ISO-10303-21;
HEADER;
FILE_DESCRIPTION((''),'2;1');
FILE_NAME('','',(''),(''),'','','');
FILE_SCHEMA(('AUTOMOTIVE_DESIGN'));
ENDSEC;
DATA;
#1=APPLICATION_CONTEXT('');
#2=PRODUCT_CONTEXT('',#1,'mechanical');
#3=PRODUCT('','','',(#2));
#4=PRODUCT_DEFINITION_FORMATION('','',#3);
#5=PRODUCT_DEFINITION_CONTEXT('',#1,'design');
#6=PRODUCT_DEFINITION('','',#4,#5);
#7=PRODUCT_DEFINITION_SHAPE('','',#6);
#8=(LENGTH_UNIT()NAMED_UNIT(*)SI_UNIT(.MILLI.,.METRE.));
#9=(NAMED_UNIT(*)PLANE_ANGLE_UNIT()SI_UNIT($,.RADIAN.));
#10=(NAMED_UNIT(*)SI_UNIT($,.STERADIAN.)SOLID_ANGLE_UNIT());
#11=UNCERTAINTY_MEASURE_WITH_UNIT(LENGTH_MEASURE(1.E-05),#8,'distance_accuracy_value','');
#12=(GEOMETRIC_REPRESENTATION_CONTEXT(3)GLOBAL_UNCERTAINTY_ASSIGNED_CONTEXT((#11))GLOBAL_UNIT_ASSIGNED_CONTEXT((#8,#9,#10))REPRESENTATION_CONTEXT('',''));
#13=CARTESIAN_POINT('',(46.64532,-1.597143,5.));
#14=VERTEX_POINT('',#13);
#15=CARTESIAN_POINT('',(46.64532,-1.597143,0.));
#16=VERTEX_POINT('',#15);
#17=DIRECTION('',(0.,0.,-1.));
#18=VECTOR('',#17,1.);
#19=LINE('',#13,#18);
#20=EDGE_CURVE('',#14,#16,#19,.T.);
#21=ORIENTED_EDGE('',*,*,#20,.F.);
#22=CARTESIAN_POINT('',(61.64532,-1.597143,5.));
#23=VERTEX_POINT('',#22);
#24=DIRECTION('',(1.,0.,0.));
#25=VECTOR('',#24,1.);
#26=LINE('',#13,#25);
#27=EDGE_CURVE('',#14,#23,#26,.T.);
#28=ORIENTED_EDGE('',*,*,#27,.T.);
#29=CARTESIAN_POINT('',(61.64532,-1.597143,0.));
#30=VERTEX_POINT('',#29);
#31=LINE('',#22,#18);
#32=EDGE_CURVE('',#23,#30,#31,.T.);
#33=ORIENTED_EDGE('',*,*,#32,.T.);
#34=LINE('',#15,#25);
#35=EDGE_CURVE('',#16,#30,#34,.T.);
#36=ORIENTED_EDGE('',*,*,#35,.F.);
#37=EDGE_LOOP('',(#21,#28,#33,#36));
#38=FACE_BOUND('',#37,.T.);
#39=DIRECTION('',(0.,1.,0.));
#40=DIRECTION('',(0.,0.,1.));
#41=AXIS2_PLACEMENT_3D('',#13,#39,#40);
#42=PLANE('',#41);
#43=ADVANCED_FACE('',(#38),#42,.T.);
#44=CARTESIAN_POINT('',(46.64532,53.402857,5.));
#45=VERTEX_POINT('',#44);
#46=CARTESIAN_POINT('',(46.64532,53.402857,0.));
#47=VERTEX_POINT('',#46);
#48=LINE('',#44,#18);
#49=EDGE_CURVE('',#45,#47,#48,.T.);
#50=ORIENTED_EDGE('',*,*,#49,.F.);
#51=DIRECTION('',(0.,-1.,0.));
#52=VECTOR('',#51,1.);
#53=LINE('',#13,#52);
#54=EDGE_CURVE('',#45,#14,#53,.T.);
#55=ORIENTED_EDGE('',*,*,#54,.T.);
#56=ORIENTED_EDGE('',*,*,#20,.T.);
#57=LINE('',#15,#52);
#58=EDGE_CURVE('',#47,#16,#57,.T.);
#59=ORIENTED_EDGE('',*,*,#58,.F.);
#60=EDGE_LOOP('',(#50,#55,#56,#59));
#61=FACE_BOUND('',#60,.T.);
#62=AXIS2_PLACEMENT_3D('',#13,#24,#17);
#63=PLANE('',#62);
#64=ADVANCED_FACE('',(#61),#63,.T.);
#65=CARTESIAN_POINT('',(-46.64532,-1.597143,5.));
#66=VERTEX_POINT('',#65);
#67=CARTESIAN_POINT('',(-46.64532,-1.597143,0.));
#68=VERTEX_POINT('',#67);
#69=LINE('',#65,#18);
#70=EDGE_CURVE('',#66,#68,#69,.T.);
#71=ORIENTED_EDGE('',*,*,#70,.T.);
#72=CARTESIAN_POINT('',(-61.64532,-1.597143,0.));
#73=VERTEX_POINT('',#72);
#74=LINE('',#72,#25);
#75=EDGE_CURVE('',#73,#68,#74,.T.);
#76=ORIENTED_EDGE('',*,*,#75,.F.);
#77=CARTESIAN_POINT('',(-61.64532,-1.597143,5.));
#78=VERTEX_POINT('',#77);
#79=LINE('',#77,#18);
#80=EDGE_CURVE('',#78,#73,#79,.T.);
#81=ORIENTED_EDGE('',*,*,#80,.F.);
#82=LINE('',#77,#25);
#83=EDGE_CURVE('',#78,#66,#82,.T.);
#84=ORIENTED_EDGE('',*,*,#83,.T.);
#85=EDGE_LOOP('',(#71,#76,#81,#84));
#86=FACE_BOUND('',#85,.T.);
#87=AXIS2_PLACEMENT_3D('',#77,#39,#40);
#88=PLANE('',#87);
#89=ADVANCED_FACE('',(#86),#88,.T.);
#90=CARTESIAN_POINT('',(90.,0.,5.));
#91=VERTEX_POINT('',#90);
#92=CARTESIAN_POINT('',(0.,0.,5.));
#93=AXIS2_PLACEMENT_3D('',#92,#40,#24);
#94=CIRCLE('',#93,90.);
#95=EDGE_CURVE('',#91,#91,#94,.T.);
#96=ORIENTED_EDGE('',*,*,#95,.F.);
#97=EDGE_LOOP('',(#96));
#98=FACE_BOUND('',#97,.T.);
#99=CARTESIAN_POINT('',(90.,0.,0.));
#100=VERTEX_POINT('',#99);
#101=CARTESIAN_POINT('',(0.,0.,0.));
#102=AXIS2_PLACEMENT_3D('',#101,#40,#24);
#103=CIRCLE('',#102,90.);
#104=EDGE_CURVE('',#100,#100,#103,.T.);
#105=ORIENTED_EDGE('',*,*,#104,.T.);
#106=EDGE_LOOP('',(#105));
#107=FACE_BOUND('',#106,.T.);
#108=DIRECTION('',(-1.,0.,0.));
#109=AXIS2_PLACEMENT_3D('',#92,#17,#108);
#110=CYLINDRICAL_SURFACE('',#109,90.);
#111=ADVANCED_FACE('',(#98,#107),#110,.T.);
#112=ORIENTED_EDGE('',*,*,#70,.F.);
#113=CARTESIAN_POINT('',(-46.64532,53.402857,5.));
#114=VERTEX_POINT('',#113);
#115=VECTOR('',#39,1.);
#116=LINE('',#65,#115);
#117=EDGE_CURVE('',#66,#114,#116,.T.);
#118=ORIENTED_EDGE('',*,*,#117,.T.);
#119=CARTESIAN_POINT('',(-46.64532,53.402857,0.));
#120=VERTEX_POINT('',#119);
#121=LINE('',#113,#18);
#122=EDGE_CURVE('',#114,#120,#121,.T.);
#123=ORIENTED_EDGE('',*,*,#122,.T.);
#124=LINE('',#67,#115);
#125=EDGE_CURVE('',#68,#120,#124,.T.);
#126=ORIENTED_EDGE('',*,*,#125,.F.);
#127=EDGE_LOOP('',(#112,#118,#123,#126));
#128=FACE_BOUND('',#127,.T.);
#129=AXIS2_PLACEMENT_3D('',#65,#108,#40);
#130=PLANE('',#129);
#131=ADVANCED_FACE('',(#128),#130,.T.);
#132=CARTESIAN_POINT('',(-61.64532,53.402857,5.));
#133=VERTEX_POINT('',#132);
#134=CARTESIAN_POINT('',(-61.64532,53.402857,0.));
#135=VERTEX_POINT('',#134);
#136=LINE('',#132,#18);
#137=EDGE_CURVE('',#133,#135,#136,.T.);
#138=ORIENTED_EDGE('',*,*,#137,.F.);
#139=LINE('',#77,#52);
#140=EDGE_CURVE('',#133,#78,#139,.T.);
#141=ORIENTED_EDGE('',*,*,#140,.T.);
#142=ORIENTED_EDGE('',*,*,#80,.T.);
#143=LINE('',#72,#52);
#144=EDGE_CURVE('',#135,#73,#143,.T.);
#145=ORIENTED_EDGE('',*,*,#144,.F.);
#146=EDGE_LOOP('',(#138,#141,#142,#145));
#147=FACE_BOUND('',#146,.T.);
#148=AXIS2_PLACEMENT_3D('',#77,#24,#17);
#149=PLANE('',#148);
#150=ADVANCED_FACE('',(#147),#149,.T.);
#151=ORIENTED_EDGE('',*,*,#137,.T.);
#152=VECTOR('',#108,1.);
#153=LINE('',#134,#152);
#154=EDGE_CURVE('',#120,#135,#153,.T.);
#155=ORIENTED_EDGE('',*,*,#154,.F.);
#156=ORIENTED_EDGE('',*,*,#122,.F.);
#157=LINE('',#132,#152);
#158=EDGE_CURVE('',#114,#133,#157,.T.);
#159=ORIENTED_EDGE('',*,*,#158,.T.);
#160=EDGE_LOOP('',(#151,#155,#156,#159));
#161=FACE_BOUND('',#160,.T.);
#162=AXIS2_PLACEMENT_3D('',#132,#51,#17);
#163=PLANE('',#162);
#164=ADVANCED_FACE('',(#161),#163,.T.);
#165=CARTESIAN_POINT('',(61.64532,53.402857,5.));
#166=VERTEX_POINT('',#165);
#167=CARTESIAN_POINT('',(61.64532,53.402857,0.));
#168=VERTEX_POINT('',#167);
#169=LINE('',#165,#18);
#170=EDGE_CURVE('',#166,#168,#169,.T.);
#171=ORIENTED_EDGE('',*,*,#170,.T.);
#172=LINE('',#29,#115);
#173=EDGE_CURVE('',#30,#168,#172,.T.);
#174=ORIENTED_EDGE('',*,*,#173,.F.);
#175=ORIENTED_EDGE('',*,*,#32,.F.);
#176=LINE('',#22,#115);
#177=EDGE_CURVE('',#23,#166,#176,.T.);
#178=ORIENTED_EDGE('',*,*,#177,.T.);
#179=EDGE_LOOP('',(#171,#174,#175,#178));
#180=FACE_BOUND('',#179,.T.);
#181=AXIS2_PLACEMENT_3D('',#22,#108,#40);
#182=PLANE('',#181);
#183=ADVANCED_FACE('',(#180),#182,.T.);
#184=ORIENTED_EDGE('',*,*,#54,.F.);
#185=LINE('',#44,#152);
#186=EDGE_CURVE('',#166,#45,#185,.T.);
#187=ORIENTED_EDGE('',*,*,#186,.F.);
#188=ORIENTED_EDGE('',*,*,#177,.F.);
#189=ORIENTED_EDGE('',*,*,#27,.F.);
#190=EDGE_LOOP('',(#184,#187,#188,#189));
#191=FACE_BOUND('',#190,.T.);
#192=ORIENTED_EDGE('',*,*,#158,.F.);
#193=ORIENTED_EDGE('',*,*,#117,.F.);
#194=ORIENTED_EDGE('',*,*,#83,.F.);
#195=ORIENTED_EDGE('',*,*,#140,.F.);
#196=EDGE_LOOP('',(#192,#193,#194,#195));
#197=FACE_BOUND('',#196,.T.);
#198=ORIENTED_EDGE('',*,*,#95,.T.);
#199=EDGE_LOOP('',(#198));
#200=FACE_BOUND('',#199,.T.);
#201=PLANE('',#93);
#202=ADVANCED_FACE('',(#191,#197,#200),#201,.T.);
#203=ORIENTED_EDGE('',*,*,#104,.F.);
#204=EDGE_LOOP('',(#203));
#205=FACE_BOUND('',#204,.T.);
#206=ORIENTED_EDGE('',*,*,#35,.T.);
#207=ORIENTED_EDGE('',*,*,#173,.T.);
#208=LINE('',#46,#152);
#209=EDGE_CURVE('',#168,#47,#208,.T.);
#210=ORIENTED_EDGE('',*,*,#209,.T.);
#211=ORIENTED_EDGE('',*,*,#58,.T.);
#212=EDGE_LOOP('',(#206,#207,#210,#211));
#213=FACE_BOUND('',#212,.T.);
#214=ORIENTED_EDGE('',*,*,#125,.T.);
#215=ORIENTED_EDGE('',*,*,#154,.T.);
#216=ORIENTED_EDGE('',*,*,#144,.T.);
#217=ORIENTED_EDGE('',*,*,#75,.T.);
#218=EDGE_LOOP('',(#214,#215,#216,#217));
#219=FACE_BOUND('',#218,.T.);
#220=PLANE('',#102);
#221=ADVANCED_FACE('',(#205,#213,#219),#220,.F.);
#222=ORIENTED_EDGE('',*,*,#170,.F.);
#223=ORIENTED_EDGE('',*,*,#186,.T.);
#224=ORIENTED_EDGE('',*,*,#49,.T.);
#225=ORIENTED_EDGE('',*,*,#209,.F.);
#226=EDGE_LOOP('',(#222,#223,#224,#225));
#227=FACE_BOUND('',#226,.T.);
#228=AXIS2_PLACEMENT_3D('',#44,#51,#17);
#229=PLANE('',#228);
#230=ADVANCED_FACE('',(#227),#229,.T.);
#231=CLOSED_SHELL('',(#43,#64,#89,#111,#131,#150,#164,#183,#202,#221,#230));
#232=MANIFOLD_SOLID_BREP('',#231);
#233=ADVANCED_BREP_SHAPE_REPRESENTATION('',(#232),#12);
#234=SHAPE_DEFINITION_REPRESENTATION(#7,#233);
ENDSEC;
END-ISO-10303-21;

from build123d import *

# Parameters (mm, degrees)
SKETCH2_R           = 90
SKETCH2_W           = 15
SKETCH2_H           = 55
BOSS_EXTRUDE2_DEPTH = 5


with BuildPart() as part:
    # Sketch2 → Boss-Extrude2 (new body)
    with BuildSketch(Plane.XY):
        Circle(SKETCH2_R)
        with Locations((54.145319917, 25.902857051)):
            Rectangle(SKETCH2_W, SKETCH2_H, mode=Mode.SUBTRACT)
        with Locations((-54.145319917, 25.902857051)):
            Rectangle(SKETCH2_W, SKETCH2_H, mode=Mode.SUBTRACT)
    extrude(amount=BOSS_EXTRUDE2_DEPTH)


solid = part.part
